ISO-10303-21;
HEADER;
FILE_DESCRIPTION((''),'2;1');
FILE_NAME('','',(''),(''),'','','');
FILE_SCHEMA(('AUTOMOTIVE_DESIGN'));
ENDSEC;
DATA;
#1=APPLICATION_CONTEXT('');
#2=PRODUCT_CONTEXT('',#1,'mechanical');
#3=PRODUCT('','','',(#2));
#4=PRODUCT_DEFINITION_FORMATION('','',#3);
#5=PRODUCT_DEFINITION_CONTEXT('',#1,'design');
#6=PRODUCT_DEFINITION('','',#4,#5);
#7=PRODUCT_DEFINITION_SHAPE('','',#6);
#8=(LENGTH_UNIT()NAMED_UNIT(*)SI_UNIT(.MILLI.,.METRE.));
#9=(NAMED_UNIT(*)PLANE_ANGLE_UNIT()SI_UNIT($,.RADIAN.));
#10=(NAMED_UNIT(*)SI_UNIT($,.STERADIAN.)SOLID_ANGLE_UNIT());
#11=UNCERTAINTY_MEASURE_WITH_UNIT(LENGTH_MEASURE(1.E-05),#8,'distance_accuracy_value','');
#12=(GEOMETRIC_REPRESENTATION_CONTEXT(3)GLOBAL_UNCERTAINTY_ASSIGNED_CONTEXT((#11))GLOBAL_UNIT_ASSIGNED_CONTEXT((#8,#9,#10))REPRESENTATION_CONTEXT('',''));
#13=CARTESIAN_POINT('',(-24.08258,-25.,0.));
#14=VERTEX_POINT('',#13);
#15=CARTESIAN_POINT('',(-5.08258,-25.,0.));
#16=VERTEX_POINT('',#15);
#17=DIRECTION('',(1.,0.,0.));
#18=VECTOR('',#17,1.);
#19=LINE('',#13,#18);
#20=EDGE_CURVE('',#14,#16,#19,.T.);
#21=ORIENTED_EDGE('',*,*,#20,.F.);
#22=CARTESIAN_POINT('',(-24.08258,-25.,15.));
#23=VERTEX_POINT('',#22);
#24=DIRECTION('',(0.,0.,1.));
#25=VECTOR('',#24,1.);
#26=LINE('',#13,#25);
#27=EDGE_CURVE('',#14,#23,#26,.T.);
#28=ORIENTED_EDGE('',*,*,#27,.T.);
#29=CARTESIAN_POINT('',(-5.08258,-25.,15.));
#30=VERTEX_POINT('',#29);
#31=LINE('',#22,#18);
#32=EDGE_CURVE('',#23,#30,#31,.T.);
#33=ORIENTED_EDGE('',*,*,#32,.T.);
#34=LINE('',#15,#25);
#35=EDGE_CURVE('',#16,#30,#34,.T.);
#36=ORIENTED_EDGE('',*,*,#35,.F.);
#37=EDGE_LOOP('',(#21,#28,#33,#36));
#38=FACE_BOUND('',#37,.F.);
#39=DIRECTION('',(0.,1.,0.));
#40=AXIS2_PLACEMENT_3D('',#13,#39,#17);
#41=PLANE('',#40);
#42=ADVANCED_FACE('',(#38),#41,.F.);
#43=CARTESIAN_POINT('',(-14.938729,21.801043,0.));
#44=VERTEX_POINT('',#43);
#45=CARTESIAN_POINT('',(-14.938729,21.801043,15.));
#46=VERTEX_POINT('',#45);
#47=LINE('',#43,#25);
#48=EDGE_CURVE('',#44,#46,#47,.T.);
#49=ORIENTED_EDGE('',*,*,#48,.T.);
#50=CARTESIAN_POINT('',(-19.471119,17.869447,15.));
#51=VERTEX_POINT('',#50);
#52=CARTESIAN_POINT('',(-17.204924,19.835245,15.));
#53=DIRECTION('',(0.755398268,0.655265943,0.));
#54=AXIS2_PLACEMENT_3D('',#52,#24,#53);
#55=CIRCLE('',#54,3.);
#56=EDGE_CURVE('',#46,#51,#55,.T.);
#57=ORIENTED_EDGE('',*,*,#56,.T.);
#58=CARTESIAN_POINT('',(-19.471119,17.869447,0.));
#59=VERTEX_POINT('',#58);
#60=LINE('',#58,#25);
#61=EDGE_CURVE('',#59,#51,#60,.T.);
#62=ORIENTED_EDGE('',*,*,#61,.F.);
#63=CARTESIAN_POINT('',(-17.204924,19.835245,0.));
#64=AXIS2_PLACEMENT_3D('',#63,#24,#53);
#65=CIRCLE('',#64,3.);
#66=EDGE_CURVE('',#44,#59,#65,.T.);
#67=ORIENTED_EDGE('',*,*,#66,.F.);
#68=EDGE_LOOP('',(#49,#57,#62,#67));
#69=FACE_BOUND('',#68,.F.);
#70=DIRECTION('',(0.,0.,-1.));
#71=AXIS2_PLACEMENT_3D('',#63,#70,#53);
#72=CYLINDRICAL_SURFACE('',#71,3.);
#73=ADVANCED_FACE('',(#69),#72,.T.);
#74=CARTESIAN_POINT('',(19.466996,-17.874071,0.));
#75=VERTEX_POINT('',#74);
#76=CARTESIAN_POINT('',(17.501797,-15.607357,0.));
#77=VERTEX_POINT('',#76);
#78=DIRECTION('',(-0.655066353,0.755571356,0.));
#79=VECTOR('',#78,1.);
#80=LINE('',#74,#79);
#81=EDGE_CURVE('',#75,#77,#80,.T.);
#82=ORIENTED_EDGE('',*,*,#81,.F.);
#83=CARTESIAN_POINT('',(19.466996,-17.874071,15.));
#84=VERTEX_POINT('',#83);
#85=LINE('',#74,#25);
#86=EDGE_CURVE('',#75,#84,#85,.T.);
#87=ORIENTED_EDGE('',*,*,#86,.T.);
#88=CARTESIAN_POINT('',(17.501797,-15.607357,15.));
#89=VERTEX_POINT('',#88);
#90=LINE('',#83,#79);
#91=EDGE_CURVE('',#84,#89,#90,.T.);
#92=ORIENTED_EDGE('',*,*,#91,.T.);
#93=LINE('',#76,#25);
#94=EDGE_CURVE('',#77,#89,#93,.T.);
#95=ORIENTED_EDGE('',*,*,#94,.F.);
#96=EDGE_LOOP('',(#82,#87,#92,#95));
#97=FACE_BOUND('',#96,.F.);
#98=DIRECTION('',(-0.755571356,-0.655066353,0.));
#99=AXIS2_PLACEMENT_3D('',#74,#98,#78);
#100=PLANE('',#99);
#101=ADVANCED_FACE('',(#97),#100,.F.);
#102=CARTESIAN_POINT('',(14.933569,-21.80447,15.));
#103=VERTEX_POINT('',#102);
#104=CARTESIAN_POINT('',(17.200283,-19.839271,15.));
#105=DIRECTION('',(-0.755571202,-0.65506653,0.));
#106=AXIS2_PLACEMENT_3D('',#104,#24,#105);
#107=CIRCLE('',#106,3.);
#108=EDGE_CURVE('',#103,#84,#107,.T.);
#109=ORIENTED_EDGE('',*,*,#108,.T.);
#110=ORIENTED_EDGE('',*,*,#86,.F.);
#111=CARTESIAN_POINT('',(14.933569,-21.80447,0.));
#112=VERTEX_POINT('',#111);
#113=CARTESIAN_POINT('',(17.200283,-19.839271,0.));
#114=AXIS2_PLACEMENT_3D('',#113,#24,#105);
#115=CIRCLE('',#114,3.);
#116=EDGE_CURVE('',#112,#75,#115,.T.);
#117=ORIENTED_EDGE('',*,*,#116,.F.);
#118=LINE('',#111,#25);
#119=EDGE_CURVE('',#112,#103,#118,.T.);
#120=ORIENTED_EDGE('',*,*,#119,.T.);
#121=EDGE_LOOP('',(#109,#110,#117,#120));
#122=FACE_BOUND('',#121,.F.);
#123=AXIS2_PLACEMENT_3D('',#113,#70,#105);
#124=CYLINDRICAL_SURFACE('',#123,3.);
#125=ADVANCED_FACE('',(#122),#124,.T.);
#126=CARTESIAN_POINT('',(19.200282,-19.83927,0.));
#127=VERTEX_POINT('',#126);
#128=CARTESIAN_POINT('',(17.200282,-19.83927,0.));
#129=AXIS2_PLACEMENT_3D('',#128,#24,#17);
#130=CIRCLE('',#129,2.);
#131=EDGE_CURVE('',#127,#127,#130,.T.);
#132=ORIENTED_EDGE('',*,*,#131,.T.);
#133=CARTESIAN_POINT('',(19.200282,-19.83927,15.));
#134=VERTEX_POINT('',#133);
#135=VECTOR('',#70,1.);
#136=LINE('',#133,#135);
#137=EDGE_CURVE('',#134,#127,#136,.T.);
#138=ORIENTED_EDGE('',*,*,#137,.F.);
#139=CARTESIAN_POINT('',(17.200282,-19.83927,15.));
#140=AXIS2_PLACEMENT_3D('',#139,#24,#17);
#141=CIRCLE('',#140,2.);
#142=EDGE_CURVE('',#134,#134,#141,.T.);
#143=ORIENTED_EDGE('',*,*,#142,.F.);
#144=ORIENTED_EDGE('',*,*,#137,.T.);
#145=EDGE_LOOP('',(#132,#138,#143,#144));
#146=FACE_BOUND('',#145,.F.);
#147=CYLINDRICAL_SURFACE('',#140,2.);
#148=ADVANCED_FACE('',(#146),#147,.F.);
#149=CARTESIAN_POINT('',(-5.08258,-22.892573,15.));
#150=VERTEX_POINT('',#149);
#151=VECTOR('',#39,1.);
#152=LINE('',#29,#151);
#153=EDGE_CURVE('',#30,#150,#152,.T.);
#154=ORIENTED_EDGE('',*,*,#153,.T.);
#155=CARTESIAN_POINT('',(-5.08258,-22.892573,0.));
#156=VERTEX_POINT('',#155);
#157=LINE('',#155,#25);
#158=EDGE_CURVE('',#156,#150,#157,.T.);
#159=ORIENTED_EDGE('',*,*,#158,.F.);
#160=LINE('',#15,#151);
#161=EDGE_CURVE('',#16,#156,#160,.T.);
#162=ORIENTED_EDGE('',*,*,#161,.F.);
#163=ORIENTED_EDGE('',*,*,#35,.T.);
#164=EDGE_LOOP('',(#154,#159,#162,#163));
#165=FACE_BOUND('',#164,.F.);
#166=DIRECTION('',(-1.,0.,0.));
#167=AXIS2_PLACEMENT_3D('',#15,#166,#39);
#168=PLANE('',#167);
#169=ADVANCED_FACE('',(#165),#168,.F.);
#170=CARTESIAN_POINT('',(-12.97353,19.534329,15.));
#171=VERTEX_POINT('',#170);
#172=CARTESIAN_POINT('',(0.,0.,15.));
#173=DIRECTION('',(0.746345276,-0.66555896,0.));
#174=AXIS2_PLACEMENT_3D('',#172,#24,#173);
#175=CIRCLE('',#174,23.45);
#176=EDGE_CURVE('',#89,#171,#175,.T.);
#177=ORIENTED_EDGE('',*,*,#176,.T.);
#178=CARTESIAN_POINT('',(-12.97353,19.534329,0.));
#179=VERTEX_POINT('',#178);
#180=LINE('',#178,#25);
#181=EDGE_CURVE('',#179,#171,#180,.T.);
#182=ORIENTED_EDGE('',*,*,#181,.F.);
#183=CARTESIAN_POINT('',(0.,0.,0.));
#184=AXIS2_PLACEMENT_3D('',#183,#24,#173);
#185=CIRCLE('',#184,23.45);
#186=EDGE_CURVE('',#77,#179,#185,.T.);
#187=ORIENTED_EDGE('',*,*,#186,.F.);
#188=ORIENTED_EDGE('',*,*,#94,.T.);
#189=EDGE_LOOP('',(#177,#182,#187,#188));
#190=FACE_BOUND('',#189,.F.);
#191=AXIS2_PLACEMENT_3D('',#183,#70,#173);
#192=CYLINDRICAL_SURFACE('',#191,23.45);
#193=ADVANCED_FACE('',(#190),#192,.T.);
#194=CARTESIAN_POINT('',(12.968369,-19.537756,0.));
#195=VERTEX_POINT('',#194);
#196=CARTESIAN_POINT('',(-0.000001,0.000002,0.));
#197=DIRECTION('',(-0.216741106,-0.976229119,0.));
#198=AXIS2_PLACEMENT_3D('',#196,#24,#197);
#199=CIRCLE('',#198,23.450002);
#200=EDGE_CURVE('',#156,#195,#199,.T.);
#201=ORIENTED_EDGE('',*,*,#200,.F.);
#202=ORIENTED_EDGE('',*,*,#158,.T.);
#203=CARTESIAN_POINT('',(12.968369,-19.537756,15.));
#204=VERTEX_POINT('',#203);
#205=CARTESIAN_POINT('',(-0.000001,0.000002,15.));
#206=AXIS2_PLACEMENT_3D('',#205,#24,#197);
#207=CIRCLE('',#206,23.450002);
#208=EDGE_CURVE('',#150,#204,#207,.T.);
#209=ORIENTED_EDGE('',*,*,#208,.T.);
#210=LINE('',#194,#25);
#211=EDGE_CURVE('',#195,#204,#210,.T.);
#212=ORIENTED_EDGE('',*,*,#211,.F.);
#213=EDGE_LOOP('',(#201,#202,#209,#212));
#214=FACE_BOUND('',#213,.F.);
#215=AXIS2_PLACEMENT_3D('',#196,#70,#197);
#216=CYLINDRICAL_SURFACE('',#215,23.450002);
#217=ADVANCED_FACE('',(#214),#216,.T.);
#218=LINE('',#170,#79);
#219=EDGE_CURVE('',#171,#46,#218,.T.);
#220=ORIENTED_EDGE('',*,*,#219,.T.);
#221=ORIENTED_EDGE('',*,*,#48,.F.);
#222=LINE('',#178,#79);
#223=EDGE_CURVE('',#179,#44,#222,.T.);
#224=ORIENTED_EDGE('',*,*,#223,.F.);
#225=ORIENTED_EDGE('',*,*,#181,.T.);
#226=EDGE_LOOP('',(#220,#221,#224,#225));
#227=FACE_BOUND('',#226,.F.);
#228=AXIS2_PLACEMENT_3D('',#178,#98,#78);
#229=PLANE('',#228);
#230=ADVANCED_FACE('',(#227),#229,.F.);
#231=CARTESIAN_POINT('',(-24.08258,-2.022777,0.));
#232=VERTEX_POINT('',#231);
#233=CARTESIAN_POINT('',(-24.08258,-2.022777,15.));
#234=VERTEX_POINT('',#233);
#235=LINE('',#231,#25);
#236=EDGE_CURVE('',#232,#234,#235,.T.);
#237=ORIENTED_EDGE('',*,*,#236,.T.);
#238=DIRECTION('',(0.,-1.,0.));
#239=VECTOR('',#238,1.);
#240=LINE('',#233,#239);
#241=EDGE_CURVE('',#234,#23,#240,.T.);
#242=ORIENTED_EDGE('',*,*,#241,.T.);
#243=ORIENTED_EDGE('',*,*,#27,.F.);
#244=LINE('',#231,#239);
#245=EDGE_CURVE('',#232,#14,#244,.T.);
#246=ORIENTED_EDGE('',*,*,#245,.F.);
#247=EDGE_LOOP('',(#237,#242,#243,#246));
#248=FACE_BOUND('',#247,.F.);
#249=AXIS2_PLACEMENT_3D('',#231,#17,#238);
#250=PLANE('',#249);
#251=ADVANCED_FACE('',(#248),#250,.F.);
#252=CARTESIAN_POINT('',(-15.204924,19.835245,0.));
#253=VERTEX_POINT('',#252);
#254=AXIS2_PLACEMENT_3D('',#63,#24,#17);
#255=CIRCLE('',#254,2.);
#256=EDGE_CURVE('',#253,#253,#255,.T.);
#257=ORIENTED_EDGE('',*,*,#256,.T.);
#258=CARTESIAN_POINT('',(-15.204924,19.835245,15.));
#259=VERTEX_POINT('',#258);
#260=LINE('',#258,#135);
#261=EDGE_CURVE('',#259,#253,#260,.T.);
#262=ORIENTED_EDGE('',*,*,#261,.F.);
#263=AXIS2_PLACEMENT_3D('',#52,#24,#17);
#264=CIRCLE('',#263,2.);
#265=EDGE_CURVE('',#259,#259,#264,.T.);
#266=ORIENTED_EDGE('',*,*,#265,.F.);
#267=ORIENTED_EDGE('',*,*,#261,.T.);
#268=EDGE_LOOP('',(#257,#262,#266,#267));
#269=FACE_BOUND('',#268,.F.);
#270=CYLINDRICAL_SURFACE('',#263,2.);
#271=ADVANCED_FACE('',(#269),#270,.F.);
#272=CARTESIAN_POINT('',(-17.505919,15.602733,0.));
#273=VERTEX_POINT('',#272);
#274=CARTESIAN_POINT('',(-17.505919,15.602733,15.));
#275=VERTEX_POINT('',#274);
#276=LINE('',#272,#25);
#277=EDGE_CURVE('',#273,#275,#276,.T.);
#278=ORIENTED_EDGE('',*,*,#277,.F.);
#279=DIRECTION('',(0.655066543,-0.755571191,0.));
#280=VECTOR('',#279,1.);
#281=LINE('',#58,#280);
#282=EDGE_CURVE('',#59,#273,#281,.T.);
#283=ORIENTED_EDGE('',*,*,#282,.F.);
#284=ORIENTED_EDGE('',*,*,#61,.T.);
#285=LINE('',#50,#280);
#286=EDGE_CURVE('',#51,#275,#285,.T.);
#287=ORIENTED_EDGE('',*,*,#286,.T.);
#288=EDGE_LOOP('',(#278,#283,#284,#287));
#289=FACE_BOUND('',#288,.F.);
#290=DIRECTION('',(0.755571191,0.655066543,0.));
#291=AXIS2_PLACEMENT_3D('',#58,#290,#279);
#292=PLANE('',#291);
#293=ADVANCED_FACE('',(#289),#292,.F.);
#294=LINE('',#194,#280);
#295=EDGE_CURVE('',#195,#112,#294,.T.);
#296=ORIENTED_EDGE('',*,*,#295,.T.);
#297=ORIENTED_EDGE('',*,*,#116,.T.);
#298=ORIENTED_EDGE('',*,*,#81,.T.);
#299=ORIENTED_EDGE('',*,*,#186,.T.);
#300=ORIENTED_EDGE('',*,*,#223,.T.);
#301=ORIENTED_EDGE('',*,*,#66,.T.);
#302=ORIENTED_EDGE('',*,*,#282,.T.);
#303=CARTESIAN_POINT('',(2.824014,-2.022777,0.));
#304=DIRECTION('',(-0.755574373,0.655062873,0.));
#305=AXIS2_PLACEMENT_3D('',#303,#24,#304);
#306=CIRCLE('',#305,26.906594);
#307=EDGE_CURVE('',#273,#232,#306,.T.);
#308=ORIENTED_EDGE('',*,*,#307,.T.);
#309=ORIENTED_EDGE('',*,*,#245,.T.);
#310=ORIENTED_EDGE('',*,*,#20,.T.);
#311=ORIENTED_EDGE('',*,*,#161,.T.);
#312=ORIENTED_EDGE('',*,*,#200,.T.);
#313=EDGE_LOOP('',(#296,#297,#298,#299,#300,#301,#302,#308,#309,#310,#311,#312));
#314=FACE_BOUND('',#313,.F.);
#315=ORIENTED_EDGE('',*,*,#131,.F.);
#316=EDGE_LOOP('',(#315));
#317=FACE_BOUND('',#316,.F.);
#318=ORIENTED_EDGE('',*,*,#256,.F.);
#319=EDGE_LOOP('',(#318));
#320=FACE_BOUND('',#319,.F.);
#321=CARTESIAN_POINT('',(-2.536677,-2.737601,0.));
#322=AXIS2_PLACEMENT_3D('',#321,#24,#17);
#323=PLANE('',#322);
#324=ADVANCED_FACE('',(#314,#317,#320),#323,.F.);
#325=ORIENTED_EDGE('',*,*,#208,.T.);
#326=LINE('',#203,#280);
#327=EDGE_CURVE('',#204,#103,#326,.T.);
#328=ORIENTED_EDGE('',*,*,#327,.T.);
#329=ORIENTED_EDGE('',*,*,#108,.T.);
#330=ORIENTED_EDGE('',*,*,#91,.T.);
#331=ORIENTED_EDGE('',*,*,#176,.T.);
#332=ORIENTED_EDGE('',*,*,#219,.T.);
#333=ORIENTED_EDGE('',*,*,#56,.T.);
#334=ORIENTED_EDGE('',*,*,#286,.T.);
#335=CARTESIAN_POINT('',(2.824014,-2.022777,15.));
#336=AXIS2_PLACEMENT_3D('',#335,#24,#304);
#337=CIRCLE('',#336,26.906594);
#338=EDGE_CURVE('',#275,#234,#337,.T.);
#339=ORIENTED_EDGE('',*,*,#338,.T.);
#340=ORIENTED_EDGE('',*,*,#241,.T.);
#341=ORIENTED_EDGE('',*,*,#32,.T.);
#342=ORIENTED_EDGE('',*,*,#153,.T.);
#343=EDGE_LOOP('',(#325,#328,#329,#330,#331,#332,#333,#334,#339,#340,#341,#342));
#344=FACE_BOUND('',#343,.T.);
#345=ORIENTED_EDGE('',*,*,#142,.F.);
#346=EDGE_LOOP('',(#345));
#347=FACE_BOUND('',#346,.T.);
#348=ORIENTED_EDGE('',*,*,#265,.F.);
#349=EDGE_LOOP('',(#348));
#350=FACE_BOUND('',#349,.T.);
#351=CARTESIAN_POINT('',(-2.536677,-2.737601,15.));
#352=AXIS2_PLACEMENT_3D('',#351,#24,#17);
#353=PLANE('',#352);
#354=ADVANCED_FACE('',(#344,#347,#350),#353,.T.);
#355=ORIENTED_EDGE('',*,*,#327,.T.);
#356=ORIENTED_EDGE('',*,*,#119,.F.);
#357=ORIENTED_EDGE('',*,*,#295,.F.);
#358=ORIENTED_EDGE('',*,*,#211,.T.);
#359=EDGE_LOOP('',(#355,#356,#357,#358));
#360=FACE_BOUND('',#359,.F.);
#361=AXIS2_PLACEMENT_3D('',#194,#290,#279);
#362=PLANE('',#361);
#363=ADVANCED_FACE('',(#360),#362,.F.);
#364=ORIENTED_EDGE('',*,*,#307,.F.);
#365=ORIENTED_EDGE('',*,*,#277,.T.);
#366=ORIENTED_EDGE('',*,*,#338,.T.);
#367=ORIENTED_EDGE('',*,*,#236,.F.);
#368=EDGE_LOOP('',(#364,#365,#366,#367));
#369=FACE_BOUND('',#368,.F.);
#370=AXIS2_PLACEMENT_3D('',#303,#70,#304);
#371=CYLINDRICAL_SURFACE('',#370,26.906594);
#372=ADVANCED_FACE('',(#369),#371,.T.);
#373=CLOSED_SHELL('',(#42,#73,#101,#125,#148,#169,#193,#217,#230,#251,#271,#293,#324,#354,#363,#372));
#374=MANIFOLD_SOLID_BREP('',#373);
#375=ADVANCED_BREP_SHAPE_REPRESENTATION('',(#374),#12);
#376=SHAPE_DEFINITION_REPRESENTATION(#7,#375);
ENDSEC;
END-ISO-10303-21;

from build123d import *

# Parameters (mm, degrees)
F1_DEPTH = 15
F2_R     = 2
F3_DEPTH = 15


with BuildPart() as f1:
    # F0 (on Top) → F1 (new body)
    with BuildSketch(Plane.XY):
        with BuildLine():
            ThreePointArc((-17.505919, 15.602733), (-22.384854, 7.383485), (-24.08258, -2.022777))
            Line((-24.08258, -2.022777), (-24.08258, -25))
            Line((-24.08258, -25), (-5.08258, -25))
            Line((-5.08258, -25), (-5.08258, -22.892573))
            ThreePointArc((-5.08258, -22.892573), (4.284871, -23.055203), (12.968369, -19.537756))
            Line((12.968369, -19.537756), (14.933569, -21.80447))
            ThreePointArc((14.933569, -21.80447), (19.165482, -22.105984), (19.466996, -17.874071))
            Line((19.466996, -17.874071), (17.501797, -15.607357))
            ThreePointArc((17.501797, -15.607357), (17.716118, 15.363648), (-12.97353, 19.534329))
            Line((-12.97353, 19.534329), (-14.938729, 21.801043))
            ThreePointArc((-14.938729, 21.801043), (-19.170722, 22.10144), (-19.471119, 17.869447))
            Line((-19.471119, 17.869447), (-17.505919, 15.602733))
        make_face()
    extrude(amount=F1_DEPTH)

    # F2 (on face) → F3 (cut, through all)
    with BuildSketch(Plane.XY.offset(15)):
        with Locations((17.200282, -19.83927)):
            Circle(F2_R)
        with Locations((-17.204924, 19.835245)):
            Circle(F2_R)
    extrude(amount=-F3_DEPTH, mode=Mode.SUBTRACT)


solid = f1.part
